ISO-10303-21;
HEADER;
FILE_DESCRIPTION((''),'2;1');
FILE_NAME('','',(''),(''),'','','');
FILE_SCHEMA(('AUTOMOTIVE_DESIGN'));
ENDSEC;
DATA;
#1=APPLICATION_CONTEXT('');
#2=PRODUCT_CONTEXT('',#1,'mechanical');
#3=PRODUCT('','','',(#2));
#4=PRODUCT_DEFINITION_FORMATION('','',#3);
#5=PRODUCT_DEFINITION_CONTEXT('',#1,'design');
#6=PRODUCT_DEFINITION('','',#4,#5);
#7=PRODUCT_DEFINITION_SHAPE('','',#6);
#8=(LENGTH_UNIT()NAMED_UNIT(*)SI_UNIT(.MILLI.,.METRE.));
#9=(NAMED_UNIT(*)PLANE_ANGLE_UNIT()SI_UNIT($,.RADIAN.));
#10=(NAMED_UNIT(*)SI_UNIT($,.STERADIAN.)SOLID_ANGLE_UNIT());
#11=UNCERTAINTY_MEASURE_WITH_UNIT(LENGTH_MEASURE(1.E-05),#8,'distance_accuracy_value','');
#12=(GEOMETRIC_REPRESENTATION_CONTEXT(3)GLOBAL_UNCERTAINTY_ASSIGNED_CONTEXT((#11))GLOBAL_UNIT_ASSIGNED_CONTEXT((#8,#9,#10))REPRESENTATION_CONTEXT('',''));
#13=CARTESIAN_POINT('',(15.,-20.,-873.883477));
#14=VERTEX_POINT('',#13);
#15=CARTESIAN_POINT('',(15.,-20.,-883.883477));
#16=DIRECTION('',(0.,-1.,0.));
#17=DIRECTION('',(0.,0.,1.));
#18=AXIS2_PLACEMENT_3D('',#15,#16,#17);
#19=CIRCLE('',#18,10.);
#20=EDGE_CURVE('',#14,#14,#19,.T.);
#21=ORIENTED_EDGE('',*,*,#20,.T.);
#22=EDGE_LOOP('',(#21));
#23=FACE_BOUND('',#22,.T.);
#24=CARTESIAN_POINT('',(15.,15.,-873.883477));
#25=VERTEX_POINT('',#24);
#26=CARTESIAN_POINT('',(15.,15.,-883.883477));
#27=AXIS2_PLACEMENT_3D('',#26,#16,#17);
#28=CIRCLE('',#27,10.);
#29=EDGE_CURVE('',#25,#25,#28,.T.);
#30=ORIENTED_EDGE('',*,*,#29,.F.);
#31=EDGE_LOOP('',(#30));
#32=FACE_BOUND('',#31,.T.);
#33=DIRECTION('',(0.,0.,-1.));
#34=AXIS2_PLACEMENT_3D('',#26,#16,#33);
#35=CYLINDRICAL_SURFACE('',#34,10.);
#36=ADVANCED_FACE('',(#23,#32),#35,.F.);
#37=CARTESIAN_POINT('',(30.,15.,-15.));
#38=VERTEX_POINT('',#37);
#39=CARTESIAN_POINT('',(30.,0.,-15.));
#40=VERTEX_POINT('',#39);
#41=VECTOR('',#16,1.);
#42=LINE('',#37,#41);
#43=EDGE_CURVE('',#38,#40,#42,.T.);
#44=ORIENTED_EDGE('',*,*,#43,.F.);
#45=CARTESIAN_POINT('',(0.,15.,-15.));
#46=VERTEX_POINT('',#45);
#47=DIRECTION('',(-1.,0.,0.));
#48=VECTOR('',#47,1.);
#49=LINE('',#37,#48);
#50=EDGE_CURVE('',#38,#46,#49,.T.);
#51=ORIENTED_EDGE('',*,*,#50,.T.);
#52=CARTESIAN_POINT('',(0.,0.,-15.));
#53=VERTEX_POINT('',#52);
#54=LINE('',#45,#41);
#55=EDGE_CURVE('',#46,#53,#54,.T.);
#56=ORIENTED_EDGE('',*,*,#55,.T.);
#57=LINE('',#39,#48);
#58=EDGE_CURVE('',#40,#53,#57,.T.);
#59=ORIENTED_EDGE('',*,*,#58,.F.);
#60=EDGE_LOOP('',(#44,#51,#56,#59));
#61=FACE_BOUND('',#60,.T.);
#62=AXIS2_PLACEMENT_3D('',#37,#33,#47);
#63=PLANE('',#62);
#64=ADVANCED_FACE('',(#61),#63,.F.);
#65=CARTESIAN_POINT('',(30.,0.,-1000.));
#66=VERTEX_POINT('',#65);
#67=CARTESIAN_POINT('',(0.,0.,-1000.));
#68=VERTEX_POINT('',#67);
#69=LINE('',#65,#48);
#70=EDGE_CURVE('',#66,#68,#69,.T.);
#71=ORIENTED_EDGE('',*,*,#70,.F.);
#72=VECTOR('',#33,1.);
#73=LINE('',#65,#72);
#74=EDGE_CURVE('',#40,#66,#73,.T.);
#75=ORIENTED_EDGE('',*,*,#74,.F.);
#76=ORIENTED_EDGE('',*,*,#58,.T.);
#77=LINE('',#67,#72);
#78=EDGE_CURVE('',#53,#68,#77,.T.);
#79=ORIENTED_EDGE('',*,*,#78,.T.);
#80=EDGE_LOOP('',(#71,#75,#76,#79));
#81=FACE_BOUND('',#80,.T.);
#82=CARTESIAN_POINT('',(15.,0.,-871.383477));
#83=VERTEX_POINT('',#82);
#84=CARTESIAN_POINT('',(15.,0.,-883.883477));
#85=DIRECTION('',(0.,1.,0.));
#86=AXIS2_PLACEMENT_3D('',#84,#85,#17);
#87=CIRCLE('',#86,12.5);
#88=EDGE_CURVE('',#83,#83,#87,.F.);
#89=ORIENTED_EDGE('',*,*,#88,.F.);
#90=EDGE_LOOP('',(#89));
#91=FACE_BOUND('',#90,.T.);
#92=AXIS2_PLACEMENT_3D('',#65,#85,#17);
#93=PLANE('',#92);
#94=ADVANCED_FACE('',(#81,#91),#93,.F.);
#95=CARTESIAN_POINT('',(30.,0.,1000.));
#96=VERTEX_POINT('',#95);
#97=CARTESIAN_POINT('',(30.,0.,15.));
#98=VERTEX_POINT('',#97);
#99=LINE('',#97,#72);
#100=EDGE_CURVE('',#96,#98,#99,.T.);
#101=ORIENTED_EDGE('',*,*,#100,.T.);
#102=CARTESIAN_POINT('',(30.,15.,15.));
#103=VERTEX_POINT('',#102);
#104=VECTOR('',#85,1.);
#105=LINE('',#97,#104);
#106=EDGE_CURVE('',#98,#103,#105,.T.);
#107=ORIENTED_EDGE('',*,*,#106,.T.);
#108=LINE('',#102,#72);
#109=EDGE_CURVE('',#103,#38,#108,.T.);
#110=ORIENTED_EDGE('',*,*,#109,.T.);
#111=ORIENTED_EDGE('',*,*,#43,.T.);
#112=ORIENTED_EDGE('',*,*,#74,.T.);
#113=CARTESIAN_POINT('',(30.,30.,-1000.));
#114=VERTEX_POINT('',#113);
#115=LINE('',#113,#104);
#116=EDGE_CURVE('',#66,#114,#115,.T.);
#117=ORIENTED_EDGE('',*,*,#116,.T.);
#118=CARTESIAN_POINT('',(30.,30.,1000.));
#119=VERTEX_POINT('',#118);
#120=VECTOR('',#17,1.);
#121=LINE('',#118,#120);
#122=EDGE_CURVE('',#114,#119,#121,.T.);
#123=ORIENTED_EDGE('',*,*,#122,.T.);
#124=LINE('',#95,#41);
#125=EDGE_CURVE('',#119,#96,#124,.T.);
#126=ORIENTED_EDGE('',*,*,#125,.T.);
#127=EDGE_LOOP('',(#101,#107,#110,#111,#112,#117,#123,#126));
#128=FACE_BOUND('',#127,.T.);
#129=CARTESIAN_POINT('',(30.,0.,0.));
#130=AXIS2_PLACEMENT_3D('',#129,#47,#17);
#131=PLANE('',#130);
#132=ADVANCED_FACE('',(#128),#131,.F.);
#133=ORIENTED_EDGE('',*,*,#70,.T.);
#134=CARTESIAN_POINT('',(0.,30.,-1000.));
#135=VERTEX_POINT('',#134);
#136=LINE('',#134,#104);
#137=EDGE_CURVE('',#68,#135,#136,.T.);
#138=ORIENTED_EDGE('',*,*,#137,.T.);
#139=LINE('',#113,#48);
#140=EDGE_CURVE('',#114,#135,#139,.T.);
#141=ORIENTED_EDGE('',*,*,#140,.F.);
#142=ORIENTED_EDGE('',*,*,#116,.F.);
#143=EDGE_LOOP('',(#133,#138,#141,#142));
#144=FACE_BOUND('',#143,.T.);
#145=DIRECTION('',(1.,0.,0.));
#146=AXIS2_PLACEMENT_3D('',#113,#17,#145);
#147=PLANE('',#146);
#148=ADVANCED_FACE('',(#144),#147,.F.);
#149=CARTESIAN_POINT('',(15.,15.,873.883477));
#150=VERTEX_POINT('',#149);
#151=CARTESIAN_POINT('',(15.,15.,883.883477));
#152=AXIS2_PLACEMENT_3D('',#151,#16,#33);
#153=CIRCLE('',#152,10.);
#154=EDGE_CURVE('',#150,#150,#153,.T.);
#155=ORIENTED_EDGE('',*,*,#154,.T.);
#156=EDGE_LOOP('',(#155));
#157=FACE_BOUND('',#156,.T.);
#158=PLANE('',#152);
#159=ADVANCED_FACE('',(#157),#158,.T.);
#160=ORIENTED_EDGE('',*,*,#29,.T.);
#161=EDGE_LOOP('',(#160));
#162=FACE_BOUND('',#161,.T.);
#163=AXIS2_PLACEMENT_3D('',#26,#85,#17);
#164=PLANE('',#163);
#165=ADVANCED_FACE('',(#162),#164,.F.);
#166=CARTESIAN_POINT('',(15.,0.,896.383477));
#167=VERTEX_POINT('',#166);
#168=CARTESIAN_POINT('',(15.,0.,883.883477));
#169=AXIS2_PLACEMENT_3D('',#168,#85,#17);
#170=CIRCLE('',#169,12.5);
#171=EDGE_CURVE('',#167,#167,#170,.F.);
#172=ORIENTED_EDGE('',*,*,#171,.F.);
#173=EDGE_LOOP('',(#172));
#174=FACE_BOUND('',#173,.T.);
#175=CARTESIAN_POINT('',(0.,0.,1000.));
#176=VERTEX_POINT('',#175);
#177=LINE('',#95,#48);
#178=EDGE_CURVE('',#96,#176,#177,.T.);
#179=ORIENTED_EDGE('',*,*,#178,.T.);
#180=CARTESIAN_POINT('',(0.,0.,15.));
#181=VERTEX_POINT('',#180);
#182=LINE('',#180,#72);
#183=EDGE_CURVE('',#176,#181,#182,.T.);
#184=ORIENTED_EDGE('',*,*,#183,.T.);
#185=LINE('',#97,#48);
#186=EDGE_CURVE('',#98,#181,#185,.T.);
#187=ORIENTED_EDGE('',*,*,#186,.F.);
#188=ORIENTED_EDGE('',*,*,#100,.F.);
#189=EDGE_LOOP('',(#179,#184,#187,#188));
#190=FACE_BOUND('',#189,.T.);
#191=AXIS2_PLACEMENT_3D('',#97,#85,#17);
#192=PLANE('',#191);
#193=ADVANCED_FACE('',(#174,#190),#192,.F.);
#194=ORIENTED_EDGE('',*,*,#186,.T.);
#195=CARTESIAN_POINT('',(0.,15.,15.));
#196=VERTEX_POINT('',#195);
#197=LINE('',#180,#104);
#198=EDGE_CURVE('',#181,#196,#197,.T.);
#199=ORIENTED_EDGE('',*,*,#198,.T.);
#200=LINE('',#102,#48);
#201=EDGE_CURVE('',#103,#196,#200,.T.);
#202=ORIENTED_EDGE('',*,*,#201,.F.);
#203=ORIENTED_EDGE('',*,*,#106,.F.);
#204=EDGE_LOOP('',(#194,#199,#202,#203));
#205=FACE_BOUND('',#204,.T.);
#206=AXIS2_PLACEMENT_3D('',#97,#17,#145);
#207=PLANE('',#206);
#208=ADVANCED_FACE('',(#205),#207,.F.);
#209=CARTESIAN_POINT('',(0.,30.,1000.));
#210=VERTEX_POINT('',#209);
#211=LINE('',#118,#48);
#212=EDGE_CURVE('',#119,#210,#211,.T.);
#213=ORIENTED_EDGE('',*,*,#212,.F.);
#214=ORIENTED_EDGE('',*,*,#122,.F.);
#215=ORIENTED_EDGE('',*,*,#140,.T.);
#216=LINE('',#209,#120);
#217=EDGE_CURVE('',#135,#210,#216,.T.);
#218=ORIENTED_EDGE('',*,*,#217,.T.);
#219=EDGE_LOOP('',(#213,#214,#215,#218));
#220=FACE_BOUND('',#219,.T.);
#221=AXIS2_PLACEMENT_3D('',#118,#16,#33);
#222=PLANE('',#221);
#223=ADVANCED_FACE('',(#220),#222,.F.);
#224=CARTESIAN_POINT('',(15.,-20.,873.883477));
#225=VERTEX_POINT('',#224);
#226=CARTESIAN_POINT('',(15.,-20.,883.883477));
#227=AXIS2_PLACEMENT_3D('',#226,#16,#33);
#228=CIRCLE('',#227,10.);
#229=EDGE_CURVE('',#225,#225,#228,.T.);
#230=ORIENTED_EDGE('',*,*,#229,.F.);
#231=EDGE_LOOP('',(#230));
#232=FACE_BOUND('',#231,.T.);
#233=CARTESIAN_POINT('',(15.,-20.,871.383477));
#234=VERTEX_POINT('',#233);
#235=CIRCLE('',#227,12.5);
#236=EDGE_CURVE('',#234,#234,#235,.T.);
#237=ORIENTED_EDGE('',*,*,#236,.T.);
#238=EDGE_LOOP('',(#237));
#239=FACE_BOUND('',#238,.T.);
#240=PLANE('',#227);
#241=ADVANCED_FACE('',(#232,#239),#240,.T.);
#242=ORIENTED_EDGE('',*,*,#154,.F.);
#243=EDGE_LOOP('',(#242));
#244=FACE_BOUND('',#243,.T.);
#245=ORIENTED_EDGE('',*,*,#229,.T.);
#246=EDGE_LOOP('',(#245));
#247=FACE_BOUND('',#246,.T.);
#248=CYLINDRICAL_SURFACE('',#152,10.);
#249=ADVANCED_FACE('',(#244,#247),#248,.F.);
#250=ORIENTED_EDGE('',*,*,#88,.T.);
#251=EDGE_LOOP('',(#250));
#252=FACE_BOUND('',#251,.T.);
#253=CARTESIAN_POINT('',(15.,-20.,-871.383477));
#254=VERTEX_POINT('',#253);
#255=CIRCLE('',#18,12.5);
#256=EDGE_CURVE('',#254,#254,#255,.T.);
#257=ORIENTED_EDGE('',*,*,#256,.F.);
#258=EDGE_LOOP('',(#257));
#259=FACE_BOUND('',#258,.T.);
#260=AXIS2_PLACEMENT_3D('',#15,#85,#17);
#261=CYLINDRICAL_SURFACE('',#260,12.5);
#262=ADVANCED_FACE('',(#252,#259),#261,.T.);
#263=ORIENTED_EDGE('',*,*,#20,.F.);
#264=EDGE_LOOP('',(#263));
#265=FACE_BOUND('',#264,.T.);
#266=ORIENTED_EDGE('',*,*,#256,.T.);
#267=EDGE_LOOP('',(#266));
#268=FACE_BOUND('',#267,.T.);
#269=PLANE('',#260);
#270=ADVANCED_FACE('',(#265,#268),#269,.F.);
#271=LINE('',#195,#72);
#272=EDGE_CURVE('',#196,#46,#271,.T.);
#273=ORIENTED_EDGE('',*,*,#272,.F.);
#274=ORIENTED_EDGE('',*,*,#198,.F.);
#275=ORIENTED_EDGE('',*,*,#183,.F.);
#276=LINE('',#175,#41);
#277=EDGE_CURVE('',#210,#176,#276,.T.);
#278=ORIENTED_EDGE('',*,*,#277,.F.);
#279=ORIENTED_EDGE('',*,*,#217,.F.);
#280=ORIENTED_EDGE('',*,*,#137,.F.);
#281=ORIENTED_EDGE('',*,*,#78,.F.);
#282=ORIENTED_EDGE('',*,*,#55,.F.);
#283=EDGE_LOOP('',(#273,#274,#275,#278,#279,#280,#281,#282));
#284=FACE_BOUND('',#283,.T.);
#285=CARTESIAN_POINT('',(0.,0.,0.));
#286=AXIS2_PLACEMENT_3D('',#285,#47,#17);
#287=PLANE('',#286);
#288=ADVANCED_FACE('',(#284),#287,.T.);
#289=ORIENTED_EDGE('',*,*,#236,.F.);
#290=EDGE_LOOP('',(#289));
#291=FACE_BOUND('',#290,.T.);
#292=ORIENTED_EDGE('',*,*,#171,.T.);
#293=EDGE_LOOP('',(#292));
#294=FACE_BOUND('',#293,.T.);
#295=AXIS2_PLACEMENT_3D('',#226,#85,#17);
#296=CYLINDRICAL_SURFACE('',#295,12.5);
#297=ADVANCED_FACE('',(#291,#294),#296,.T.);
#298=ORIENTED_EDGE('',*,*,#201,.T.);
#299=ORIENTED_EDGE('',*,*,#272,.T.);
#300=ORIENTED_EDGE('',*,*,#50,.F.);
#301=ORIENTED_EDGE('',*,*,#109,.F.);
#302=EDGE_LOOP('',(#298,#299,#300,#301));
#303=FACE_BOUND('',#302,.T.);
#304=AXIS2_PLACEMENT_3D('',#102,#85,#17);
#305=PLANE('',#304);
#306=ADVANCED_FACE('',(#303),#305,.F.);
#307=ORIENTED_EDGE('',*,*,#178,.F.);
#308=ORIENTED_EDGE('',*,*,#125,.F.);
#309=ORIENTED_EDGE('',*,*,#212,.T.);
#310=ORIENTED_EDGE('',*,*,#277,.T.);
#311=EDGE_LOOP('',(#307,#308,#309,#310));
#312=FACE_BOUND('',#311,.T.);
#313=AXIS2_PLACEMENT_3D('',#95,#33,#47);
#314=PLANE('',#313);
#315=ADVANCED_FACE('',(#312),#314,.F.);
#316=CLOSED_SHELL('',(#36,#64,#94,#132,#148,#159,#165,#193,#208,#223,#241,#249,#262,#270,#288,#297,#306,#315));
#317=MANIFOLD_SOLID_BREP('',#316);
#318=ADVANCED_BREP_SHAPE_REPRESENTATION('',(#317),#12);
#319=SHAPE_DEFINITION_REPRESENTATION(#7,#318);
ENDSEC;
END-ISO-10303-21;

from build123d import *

# Parameters (mm, degrees)
EXTRUDE_1_DEPTH     = 30
SKETCH_2_R          = 10
CUT_EXTRUDE_1_DEPTH = 15
EXTRUDE_START       = 20
SKETCH_3_R          = 12.5
SKETCH_3_R_2        = 10
EXTRUDE_2_DEPTH     = 20


with BuildPart() as part:
    # 草图1 → 凸台-拉伸1 (new body)
    with BuildSketch(Plane(origin=(0, 0, 0), x_dir=(0, 0, -1), z_dir=(1, 0, 0))):
        Polygon((-1000, 30), (1000, 30), (1000, 0), (15, 0), (15, 15), (-15, 15), (-15, 0), (-1000, 0), align=None)
    extrude(amount=EXTRUDE_1_DEPTH)

    # 草图2 → 切除-拉伸1 (cut)
    with BuildSketch(Plane.XZ):
        with Locations(Location((15, 883.8834765, 0), (0, 0, 270))):
            Circle(SKETCH_2_R)
        with Locations(Location((15, -883.8834765, 0), (0, 0, 90))):
            Circle(SKETCH_2_R)
    extrude(amount=-CUT_EXTRUDE_1_DEPTH, mode=Mode.SUBTRACT)

    # 草图3 → 凸台-拉伸2 (add)
    # profile 1 of 2: a face of its own
    with BuildSketch(Plane.XZ.offset(EXTRUDE_START)):
        with Locations(Location((15, 883.8834765, 0), (0, 0, 90))):
            Circle(SKETCH_3_R)
        with Locations(Location((15, 883.8834765, 0), (0, 0, 270))):
            Circle(SKETCH_3_R_2, mode=Mode.SUBTRACT)
    # profile 2 of 2: a face of its own
    with BuildSketch(Plane.XZ.offset(EXTRUDE_START)):
        with Locations(Location((15, -883.8834765, 0), (0, 0, 90))):
            Circle(SKETCH_3_R)
        with Locations(Location((15, -883.8834765, 0), (0, 0, 90))):
            Circle(SKETCH_3_R_2, mode=Mode.SUBTRACT)
    extrude(amount=-EXTRUDE_2_DEPTH)


solid = part.part
